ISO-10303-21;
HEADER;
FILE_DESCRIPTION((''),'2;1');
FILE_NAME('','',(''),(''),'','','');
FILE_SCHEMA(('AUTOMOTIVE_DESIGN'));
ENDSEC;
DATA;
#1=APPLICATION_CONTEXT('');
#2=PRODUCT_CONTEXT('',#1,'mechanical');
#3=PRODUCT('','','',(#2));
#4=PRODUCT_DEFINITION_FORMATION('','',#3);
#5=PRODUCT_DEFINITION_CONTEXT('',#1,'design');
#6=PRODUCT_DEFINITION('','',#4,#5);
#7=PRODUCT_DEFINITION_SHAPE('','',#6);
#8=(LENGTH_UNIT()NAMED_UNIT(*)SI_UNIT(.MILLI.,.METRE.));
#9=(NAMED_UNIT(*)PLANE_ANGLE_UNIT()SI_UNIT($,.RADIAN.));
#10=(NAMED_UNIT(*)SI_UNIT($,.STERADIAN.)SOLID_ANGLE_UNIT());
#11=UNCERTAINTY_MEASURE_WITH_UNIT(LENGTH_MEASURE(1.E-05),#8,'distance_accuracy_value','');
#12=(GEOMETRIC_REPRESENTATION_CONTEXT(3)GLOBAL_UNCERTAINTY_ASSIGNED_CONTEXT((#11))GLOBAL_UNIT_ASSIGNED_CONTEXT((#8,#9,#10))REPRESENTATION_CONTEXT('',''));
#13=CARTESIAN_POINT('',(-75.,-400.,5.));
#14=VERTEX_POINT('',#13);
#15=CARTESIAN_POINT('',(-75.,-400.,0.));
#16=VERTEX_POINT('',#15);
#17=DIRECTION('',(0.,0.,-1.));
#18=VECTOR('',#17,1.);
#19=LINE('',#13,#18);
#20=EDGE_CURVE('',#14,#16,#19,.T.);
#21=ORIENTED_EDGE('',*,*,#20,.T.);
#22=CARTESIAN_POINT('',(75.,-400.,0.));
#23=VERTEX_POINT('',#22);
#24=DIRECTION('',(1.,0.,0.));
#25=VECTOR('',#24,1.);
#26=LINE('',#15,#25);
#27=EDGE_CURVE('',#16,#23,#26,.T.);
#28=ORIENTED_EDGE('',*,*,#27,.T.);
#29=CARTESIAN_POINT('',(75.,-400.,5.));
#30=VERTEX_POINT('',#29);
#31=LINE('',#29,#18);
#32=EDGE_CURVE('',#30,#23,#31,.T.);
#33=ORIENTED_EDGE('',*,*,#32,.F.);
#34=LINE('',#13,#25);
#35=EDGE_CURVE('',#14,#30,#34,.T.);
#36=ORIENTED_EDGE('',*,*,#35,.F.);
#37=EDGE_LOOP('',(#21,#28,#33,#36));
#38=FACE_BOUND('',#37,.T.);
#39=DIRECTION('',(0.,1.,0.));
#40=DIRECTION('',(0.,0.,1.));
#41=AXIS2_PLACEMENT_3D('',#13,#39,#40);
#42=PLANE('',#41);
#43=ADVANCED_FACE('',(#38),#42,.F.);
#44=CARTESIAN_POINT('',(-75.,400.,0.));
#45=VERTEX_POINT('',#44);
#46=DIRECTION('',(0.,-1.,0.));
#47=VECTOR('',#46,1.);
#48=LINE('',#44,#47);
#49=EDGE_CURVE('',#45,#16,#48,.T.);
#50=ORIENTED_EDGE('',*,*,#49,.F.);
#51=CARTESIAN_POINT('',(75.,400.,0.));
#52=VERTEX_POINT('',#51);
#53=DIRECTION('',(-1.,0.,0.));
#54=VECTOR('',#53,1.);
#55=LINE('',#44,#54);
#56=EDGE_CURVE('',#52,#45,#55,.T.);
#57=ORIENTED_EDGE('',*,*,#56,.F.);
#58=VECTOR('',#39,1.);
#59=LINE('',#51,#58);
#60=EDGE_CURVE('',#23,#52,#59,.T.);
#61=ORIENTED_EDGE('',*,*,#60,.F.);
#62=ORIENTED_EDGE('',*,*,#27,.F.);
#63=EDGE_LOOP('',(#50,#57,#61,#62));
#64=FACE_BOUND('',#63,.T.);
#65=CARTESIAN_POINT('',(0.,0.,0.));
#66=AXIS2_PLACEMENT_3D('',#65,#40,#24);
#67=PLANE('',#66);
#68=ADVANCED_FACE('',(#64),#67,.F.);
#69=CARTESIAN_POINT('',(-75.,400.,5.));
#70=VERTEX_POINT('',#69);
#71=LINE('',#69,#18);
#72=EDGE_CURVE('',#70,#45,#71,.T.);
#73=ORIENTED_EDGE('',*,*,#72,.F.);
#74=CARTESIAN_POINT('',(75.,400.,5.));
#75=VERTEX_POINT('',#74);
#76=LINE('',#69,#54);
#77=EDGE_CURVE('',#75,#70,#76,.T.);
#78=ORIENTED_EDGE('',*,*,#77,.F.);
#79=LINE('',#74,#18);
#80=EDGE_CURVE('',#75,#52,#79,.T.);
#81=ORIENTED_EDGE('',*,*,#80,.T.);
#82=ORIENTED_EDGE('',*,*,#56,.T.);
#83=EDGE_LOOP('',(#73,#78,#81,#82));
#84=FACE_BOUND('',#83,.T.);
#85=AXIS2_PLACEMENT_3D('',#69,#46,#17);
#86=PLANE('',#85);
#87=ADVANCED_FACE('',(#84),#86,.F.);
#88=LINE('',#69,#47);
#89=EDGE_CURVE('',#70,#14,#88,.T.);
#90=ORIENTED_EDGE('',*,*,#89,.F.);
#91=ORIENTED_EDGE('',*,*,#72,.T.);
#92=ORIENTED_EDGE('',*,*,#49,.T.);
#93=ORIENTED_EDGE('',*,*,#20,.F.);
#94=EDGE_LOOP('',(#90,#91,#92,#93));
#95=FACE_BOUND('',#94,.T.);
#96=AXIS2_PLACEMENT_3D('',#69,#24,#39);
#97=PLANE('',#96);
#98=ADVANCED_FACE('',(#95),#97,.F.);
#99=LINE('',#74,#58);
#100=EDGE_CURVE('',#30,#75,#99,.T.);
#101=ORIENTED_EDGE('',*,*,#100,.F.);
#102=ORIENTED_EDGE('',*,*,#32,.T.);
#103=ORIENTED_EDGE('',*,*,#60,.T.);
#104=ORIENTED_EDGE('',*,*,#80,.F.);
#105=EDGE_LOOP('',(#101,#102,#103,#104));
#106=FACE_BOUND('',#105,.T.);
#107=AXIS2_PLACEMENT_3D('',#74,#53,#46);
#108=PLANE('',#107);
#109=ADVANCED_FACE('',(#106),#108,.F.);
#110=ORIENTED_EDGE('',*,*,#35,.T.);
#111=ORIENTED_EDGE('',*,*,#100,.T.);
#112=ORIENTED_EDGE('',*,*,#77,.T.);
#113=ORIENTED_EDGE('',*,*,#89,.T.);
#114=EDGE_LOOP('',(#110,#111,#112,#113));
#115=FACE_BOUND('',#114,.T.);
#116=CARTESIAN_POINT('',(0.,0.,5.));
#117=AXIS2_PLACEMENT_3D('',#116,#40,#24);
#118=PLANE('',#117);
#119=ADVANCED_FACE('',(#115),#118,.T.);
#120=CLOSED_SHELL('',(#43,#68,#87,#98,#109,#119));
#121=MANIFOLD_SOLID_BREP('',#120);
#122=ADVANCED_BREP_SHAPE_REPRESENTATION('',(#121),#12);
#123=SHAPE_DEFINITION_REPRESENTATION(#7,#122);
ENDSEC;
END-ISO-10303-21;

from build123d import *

# Parameters (mm, degrees)
ESQUISSE1_W        = 150
ESQUISSE1_H        = 800
BOSS_EXTRU_1_DEPTH = 5


with BuildPart() as part:
    # Esquisse1 → Boss.-Extru.1 (new body)
    with BuildSketch(Plane.XY):
        Rectangle(ESQUISSE1_W, ESQUISSE1_H)
    extrude(amount=BOSS_EXTRU_1_DEPTH)


solid = part.part
